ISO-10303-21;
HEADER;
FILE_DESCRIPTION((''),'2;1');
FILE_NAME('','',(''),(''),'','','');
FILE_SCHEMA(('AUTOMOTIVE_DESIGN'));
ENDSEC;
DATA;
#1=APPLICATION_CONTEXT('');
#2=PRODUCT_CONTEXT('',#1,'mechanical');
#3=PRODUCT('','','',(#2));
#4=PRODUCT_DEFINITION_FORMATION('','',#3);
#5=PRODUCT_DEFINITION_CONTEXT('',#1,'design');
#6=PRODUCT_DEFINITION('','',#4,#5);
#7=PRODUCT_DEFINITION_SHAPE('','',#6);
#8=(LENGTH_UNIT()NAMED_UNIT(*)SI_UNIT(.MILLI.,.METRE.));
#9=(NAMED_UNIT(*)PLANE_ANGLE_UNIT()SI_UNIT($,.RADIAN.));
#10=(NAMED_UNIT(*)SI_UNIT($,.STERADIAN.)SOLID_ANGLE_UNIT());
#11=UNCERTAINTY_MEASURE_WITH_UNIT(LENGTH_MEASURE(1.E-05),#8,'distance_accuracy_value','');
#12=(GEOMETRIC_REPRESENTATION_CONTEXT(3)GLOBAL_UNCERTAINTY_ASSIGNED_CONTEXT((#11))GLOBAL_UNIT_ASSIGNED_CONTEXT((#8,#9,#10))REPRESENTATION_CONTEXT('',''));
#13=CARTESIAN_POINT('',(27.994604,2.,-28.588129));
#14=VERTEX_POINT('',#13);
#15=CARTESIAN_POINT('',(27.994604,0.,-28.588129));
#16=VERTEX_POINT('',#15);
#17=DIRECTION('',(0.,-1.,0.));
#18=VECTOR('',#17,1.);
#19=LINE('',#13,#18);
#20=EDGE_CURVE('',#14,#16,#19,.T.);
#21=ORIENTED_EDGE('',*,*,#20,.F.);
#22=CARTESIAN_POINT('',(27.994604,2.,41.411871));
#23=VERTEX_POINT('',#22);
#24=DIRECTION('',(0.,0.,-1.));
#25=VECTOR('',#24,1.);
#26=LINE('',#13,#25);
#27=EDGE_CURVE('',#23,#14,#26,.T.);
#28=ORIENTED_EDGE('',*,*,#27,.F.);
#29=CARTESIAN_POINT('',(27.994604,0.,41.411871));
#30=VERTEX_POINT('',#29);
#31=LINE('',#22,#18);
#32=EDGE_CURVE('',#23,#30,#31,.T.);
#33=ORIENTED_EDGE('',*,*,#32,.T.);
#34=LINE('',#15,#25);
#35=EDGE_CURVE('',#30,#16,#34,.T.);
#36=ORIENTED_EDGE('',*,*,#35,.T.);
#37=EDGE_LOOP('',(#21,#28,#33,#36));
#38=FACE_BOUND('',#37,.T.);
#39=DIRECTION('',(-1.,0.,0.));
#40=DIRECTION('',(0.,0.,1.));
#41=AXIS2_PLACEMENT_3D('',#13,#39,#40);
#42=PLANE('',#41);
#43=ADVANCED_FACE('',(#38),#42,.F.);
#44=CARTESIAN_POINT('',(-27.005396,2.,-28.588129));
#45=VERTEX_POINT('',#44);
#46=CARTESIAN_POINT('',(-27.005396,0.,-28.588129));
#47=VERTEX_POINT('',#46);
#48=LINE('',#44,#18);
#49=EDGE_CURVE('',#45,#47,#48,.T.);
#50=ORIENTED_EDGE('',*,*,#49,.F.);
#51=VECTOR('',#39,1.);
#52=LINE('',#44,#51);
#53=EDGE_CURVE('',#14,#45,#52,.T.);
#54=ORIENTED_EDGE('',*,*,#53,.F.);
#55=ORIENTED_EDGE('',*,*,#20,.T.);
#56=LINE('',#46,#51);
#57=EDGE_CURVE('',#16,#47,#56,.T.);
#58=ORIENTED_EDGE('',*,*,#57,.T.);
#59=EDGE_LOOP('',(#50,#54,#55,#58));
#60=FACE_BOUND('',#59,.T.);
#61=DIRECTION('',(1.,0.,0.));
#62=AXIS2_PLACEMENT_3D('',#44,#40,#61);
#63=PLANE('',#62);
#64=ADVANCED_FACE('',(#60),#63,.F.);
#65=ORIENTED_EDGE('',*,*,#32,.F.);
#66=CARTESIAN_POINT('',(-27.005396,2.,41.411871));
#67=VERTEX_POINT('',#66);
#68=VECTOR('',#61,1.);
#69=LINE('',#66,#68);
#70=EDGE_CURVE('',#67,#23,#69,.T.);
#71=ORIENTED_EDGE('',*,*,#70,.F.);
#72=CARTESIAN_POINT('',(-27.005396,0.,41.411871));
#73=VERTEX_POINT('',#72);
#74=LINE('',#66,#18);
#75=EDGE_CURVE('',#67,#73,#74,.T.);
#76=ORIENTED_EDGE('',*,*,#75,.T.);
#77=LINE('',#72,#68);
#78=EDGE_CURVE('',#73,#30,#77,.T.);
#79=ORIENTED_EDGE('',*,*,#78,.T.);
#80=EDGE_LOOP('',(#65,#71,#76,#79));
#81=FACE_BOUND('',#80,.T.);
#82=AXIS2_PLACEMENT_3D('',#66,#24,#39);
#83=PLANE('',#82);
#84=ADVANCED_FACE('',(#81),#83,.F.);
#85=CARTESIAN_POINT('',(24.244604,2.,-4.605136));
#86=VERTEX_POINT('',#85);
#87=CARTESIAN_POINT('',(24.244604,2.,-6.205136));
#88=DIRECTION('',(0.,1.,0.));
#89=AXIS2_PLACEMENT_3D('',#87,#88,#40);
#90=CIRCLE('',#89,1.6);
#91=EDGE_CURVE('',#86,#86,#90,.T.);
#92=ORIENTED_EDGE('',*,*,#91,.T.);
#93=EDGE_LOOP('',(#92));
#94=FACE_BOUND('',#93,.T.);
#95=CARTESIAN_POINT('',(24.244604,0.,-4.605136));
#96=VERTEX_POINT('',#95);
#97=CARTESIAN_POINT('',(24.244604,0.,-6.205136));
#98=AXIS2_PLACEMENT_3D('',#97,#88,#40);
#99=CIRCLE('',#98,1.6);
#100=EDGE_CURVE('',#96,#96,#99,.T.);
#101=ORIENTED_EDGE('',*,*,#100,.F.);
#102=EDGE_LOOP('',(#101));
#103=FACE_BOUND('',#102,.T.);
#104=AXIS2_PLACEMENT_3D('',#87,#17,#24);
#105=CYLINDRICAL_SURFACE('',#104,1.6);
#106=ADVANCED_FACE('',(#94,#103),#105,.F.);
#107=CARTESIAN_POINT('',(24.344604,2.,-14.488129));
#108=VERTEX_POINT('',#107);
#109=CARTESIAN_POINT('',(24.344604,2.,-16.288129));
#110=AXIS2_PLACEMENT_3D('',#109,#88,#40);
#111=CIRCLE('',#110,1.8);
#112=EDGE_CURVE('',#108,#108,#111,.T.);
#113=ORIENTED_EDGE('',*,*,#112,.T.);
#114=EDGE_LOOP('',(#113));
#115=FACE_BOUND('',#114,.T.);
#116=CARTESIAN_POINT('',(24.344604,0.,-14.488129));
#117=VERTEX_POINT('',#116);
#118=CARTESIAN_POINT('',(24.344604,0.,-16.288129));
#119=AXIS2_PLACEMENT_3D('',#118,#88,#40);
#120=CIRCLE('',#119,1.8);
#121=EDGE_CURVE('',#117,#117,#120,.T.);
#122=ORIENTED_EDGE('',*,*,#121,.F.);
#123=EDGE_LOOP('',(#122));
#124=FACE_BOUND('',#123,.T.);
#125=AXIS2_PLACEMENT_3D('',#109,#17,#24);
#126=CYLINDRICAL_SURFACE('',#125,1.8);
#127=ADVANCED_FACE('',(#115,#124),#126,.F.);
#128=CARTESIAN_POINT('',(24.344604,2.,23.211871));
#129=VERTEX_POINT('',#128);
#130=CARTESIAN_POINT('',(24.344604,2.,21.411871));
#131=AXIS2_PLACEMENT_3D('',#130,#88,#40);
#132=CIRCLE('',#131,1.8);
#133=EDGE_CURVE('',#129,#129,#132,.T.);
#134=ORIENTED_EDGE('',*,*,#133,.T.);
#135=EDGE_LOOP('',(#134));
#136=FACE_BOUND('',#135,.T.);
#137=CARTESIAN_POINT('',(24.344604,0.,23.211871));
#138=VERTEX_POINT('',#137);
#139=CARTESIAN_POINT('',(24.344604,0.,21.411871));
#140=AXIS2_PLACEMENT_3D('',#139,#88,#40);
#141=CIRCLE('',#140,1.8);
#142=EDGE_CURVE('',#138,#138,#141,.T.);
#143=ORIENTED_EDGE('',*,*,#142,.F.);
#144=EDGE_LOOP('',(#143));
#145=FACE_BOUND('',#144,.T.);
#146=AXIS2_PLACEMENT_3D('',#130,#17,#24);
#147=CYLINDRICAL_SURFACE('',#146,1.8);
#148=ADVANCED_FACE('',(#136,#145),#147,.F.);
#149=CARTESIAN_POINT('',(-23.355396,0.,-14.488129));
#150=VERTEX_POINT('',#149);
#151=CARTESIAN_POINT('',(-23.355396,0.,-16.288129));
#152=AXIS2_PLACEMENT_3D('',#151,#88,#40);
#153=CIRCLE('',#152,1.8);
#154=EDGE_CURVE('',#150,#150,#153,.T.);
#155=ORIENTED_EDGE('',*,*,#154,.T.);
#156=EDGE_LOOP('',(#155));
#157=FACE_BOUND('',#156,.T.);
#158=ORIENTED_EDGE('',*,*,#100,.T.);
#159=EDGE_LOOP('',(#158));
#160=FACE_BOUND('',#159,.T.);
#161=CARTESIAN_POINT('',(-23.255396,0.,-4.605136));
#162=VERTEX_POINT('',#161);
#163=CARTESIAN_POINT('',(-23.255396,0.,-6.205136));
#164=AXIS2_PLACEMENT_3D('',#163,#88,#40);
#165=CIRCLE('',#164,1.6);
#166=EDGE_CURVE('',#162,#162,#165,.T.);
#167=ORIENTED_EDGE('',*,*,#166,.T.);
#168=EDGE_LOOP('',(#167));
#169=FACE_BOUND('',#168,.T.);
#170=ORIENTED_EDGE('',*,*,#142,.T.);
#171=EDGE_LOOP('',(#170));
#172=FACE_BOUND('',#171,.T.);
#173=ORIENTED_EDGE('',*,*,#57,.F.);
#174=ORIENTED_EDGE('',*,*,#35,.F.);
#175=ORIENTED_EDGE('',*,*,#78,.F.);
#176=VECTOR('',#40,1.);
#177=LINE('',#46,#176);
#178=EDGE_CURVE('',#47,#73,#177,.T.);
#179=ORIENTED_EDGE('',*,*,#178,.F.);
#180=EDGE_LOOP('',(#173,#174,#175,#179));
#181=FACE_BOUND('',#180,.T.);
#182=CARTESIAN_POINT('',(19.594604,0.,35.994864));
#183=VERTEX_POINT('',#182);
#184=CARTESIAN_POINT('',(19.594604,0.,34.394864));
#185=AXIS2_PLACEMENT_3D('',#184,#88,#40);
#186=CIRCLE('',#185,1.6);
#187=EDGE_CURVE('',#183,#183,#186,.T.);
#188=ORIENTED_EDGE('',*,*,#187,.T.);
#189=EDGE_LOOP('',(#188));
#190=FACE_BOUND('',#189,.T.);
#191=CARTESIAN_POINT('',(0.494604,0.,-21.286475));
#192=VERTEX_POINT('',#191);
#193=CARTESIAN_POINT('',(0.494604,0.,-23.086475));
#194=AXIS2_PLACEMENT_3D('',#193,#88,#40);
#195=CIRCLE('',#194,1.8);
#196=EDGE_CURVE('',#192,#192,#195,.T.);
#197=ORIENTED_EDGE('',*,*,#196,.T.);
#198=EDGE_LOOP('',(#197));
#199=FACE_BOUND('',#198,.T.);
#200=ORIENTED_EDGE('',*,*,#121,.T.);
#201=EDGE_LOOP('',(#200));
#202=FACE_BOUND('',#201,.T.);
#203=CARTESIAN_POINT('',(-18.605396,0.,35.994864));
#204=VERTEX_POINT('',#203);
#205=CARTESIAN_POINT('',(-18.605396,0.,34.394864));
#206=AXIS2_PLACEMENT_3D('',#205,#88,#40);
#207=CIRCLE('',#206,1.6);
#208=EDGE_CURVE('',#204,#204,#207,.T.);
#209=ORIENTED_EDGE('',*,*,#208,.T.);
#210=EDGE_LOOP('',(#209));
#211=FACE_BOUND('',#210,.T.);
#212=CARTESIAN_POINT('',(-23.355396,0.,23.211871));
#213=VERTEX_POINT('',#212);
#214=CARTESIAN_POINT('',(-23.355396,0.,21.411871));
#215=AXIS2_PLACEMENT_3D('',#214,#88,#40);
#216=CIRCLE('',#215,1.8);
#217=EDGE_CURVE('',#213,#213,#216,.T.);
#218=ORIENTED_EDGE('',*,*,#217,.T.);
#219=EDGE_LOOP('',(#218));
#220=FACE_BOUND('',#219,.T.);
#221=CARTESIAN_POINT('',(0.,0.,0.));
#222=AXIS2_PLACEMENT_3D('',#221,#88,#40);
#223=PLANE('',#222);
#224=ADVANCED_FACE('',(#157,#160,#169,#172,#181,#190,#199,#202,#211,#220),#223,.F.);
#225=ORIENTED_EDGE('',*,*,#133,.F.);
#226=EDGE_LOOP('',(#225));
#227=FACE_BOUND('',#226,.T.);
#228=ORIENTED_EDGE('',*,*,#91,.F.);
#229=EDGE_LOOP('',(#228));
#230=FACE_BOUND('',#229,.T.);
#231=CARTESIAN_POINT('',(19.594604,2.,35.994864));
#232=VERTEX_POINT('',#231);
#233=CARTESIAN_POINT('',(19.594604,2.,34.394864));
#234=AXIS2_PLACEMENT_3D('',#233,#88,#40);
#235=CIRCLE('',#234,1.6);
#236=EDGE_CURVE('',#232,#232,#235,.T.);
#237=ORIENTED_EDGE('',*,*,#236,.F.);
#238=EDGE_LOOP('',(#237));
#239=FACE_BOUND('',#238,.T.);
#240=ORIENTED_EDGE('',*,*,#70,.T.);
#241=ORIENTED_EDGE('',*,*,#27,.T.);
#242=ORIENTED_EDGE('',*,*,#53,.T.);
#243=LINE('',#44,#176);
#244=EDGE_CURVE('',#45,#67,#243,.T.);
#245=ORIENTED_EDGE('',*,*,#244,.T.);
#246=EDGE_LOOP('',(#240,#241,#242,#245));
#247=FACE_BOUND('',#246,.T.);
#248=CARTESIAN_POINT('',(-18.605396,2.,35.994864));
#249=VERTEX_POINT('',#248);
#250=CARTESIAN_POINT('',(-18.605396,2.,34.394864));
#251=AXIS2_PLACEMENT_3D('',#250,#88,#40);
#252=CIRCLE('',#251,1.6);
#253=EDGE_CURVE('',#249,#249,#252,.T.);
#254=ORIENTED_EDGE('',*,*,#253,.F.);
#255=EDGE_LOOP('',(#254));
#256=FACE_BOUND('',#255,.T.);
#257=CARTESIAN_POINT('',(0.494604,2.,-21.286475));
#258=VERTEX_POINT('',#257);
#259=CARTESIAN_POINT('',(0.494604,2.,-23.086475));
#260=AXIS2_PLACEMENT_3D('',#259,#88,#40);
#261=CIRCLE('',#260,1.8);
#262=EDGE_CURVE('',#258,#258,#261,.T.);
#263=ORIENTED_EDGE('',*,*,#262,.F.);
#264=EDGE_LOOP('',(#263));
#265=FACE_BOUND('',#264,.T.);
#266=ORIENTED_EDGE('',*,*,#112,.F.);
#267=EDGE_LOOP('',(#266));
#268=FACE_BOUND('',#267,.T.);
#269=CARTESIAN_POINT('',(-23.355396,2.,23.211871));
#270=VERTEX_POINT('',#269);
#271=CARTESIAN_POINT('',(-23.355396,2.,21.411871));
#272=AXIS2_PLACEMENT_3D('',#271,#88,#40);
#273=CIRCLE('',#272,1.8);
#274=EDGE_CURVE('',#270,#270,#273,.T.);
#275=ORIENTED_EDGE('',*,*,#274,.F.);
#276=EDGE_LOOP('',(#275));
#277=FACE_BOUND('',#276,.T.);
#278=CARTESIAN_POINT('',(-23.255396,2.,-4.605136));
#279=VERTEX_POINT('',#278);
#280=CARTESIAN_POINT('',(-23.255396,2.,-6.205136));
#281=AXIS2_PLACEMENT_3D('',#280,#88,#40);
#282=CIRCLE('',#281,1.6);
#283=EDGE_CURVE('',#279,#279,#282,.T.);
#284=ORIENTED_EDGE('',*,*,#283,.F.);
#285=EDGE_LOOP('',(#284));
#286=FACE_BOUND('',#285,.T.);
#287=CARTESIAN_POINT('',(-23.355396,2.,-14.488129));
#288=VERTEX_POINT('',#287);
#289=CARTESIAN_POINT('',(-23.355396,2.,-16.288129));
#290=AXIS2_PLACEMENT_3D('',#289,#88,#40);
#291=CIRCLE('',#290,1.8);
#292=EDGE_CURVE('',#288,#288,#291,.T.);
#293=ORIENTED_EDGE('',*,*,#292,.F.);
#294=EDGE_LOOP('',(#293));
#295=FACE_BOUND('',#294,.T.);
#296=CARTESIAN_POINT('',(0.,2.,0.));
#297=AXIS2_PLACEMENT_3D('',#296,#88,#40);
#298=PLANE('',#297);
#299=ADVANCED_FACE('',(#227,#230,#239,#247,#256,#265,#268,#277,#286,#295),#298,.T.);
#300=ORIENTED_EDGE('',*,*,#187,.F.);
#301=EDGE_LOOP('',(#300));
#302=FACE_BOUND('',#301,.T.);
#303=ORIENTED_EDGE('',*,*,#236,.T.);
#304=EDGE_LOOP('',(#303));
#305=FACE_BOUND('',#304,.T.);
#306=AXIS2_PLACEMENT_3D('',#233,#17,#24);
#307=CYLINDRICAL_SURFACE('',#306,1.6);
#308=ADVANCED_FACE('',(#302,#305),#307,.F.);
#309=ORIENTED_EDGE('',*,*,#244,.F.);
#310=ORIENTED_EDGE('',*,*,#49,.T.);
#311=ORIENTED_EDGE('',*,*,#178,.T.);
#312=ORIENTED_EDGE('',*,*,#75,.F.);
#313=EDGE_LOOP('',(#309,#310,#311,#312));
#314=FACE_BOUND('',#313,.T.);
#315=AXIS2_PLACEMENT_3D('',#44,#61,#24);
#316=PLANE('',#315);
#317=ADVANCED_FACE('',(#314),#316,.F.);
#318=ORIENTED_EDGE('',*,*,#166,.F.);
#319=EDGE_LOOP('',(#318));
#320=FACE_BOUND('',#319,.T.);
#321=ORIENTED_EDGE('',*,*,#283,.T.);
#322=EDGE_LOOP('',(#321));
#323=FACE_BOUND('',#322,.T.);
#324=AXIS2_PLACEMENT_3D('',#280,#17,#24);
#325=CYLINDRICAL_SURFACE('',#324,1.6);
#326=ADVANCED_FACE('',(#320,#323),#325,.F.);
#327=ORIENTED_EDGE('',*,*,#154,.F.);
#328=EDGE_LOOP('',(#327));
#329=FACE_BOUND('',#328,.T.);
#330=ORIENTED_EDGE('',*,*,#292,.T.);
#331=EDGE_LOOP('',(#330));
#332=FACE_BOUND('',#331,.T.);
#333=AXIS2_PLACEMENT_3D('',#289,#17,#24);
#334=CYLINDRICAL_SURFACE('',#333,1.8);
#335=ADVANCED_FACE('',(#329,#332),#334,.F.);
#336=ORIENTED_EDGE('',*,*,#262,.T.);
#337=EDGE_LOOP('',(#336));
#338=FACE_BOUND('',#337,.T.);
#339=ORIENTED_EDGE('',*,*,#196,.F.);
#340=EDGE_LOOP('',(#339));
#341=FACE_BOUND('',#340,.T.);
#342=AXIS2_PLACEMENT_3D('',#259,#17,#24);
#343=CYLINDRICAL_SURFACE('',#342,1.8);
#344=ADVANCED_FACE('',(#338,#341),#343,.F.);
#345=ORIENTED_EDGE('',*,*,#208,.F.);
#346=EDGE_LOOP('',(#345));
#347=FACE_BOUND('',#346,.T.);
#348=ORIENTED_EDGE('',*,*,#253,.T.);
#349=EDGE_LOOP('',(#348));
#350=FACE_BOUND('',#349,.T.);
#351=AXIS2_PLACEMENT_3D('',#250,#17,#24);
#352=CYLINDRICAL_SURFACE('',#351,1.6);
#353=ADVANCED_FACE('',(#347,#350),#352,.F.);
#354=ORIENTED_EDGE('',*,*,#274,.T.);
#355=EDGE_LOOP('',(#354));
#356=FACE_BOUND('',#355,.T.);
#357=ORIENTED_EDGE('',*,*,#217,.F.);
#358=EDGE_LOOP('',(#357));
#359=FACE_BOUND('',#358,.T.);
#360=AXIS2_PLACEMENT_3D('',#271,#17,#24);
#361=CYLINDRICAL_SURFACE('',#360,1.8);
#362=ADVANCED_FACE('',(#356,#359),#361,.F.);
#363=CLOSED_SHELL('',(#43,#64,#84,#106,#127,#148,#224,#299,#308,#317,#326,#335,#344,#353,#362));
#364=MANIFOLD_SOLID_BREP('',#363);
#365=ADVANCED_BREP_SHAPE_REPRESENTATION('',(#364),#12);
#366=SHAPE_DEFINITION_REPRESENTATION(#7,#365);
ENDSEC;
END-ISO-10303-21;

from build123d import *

# Parameters (mm, degrees)
SKETCH1_W           = 55
SKETCH1_H           = 70
SKETCH1_R           = 1.6
SKETCH1_R_2         = 1.8
BOSS_EXTRUDE1_DEPTH = 2


with BuildPart() as part:
    # Sketch1 → Boss-Extrude1 (new body)
    with BuildSketch(Plane(origin=(0, 0, 0), x_dir=(1, 0, 0), z_dir=(0, 1, 0))):
        with Locations((0.494604317, -6.411870504)):
            Rectangle(SKETCH1_W, SKETCH1_H)
        with Locations(Location((19.594604317, -34.394863823, 0), (0, 0, 270))):
            Circle(SKETCH1_R, mode=Mode.SUBTRACT)
        with Locations(Location((-18.605395683, -34.394863823, 0), (0, 0, 270))):
            Circle(SKETCH1_R, mode=Mode.SUBTRACT)
        with Locations(Location((24.244604317, 6.205136177, 0), (0, 0, 270))):
            Circle(SKETCH1_R, mode=Mode.SUBTRACT)
        with Locations(Location((-23.255395683, 6.205136177, 0), (0, 0, 270))):
            Circle(SKETCH1_R, mode=Mode.SUBTRACT)
        with Locations(Location((24.344604317, -21.411870504, 0), (0, 0, 270))):
            Circle(SKETCH1_R_2, mode=Mode.SUBTRACT)
        with Locations(Location((-23.355395683, -21.411870504, 0), (0, 0, 270))):
            Circle(SKETCH1_R_2, mode=Mode.SUBTRACT)
        with Locations(Location((24.344604317, 16.288129496, 0), (0, 0, 270))):
            Circle(SKETCH1_R_2, mode=Mode.SUBTRACT)
        with Locations(Location((-23.355395683, 16.288129496, 0), (0, 0, 270))):
            Circle(SKETCH1_R_2, mode=Mode.SUBTRACT)
        with Locations(Location((0.494604317, 23.086474883, 0), (0, 0, 270))):
            Circle(SKETCH1_R_2, mode=Mode.SUBTRACT)
    extrude(amount=BOSS_EXTRUDE1_DEPTH)


solid = part.part
